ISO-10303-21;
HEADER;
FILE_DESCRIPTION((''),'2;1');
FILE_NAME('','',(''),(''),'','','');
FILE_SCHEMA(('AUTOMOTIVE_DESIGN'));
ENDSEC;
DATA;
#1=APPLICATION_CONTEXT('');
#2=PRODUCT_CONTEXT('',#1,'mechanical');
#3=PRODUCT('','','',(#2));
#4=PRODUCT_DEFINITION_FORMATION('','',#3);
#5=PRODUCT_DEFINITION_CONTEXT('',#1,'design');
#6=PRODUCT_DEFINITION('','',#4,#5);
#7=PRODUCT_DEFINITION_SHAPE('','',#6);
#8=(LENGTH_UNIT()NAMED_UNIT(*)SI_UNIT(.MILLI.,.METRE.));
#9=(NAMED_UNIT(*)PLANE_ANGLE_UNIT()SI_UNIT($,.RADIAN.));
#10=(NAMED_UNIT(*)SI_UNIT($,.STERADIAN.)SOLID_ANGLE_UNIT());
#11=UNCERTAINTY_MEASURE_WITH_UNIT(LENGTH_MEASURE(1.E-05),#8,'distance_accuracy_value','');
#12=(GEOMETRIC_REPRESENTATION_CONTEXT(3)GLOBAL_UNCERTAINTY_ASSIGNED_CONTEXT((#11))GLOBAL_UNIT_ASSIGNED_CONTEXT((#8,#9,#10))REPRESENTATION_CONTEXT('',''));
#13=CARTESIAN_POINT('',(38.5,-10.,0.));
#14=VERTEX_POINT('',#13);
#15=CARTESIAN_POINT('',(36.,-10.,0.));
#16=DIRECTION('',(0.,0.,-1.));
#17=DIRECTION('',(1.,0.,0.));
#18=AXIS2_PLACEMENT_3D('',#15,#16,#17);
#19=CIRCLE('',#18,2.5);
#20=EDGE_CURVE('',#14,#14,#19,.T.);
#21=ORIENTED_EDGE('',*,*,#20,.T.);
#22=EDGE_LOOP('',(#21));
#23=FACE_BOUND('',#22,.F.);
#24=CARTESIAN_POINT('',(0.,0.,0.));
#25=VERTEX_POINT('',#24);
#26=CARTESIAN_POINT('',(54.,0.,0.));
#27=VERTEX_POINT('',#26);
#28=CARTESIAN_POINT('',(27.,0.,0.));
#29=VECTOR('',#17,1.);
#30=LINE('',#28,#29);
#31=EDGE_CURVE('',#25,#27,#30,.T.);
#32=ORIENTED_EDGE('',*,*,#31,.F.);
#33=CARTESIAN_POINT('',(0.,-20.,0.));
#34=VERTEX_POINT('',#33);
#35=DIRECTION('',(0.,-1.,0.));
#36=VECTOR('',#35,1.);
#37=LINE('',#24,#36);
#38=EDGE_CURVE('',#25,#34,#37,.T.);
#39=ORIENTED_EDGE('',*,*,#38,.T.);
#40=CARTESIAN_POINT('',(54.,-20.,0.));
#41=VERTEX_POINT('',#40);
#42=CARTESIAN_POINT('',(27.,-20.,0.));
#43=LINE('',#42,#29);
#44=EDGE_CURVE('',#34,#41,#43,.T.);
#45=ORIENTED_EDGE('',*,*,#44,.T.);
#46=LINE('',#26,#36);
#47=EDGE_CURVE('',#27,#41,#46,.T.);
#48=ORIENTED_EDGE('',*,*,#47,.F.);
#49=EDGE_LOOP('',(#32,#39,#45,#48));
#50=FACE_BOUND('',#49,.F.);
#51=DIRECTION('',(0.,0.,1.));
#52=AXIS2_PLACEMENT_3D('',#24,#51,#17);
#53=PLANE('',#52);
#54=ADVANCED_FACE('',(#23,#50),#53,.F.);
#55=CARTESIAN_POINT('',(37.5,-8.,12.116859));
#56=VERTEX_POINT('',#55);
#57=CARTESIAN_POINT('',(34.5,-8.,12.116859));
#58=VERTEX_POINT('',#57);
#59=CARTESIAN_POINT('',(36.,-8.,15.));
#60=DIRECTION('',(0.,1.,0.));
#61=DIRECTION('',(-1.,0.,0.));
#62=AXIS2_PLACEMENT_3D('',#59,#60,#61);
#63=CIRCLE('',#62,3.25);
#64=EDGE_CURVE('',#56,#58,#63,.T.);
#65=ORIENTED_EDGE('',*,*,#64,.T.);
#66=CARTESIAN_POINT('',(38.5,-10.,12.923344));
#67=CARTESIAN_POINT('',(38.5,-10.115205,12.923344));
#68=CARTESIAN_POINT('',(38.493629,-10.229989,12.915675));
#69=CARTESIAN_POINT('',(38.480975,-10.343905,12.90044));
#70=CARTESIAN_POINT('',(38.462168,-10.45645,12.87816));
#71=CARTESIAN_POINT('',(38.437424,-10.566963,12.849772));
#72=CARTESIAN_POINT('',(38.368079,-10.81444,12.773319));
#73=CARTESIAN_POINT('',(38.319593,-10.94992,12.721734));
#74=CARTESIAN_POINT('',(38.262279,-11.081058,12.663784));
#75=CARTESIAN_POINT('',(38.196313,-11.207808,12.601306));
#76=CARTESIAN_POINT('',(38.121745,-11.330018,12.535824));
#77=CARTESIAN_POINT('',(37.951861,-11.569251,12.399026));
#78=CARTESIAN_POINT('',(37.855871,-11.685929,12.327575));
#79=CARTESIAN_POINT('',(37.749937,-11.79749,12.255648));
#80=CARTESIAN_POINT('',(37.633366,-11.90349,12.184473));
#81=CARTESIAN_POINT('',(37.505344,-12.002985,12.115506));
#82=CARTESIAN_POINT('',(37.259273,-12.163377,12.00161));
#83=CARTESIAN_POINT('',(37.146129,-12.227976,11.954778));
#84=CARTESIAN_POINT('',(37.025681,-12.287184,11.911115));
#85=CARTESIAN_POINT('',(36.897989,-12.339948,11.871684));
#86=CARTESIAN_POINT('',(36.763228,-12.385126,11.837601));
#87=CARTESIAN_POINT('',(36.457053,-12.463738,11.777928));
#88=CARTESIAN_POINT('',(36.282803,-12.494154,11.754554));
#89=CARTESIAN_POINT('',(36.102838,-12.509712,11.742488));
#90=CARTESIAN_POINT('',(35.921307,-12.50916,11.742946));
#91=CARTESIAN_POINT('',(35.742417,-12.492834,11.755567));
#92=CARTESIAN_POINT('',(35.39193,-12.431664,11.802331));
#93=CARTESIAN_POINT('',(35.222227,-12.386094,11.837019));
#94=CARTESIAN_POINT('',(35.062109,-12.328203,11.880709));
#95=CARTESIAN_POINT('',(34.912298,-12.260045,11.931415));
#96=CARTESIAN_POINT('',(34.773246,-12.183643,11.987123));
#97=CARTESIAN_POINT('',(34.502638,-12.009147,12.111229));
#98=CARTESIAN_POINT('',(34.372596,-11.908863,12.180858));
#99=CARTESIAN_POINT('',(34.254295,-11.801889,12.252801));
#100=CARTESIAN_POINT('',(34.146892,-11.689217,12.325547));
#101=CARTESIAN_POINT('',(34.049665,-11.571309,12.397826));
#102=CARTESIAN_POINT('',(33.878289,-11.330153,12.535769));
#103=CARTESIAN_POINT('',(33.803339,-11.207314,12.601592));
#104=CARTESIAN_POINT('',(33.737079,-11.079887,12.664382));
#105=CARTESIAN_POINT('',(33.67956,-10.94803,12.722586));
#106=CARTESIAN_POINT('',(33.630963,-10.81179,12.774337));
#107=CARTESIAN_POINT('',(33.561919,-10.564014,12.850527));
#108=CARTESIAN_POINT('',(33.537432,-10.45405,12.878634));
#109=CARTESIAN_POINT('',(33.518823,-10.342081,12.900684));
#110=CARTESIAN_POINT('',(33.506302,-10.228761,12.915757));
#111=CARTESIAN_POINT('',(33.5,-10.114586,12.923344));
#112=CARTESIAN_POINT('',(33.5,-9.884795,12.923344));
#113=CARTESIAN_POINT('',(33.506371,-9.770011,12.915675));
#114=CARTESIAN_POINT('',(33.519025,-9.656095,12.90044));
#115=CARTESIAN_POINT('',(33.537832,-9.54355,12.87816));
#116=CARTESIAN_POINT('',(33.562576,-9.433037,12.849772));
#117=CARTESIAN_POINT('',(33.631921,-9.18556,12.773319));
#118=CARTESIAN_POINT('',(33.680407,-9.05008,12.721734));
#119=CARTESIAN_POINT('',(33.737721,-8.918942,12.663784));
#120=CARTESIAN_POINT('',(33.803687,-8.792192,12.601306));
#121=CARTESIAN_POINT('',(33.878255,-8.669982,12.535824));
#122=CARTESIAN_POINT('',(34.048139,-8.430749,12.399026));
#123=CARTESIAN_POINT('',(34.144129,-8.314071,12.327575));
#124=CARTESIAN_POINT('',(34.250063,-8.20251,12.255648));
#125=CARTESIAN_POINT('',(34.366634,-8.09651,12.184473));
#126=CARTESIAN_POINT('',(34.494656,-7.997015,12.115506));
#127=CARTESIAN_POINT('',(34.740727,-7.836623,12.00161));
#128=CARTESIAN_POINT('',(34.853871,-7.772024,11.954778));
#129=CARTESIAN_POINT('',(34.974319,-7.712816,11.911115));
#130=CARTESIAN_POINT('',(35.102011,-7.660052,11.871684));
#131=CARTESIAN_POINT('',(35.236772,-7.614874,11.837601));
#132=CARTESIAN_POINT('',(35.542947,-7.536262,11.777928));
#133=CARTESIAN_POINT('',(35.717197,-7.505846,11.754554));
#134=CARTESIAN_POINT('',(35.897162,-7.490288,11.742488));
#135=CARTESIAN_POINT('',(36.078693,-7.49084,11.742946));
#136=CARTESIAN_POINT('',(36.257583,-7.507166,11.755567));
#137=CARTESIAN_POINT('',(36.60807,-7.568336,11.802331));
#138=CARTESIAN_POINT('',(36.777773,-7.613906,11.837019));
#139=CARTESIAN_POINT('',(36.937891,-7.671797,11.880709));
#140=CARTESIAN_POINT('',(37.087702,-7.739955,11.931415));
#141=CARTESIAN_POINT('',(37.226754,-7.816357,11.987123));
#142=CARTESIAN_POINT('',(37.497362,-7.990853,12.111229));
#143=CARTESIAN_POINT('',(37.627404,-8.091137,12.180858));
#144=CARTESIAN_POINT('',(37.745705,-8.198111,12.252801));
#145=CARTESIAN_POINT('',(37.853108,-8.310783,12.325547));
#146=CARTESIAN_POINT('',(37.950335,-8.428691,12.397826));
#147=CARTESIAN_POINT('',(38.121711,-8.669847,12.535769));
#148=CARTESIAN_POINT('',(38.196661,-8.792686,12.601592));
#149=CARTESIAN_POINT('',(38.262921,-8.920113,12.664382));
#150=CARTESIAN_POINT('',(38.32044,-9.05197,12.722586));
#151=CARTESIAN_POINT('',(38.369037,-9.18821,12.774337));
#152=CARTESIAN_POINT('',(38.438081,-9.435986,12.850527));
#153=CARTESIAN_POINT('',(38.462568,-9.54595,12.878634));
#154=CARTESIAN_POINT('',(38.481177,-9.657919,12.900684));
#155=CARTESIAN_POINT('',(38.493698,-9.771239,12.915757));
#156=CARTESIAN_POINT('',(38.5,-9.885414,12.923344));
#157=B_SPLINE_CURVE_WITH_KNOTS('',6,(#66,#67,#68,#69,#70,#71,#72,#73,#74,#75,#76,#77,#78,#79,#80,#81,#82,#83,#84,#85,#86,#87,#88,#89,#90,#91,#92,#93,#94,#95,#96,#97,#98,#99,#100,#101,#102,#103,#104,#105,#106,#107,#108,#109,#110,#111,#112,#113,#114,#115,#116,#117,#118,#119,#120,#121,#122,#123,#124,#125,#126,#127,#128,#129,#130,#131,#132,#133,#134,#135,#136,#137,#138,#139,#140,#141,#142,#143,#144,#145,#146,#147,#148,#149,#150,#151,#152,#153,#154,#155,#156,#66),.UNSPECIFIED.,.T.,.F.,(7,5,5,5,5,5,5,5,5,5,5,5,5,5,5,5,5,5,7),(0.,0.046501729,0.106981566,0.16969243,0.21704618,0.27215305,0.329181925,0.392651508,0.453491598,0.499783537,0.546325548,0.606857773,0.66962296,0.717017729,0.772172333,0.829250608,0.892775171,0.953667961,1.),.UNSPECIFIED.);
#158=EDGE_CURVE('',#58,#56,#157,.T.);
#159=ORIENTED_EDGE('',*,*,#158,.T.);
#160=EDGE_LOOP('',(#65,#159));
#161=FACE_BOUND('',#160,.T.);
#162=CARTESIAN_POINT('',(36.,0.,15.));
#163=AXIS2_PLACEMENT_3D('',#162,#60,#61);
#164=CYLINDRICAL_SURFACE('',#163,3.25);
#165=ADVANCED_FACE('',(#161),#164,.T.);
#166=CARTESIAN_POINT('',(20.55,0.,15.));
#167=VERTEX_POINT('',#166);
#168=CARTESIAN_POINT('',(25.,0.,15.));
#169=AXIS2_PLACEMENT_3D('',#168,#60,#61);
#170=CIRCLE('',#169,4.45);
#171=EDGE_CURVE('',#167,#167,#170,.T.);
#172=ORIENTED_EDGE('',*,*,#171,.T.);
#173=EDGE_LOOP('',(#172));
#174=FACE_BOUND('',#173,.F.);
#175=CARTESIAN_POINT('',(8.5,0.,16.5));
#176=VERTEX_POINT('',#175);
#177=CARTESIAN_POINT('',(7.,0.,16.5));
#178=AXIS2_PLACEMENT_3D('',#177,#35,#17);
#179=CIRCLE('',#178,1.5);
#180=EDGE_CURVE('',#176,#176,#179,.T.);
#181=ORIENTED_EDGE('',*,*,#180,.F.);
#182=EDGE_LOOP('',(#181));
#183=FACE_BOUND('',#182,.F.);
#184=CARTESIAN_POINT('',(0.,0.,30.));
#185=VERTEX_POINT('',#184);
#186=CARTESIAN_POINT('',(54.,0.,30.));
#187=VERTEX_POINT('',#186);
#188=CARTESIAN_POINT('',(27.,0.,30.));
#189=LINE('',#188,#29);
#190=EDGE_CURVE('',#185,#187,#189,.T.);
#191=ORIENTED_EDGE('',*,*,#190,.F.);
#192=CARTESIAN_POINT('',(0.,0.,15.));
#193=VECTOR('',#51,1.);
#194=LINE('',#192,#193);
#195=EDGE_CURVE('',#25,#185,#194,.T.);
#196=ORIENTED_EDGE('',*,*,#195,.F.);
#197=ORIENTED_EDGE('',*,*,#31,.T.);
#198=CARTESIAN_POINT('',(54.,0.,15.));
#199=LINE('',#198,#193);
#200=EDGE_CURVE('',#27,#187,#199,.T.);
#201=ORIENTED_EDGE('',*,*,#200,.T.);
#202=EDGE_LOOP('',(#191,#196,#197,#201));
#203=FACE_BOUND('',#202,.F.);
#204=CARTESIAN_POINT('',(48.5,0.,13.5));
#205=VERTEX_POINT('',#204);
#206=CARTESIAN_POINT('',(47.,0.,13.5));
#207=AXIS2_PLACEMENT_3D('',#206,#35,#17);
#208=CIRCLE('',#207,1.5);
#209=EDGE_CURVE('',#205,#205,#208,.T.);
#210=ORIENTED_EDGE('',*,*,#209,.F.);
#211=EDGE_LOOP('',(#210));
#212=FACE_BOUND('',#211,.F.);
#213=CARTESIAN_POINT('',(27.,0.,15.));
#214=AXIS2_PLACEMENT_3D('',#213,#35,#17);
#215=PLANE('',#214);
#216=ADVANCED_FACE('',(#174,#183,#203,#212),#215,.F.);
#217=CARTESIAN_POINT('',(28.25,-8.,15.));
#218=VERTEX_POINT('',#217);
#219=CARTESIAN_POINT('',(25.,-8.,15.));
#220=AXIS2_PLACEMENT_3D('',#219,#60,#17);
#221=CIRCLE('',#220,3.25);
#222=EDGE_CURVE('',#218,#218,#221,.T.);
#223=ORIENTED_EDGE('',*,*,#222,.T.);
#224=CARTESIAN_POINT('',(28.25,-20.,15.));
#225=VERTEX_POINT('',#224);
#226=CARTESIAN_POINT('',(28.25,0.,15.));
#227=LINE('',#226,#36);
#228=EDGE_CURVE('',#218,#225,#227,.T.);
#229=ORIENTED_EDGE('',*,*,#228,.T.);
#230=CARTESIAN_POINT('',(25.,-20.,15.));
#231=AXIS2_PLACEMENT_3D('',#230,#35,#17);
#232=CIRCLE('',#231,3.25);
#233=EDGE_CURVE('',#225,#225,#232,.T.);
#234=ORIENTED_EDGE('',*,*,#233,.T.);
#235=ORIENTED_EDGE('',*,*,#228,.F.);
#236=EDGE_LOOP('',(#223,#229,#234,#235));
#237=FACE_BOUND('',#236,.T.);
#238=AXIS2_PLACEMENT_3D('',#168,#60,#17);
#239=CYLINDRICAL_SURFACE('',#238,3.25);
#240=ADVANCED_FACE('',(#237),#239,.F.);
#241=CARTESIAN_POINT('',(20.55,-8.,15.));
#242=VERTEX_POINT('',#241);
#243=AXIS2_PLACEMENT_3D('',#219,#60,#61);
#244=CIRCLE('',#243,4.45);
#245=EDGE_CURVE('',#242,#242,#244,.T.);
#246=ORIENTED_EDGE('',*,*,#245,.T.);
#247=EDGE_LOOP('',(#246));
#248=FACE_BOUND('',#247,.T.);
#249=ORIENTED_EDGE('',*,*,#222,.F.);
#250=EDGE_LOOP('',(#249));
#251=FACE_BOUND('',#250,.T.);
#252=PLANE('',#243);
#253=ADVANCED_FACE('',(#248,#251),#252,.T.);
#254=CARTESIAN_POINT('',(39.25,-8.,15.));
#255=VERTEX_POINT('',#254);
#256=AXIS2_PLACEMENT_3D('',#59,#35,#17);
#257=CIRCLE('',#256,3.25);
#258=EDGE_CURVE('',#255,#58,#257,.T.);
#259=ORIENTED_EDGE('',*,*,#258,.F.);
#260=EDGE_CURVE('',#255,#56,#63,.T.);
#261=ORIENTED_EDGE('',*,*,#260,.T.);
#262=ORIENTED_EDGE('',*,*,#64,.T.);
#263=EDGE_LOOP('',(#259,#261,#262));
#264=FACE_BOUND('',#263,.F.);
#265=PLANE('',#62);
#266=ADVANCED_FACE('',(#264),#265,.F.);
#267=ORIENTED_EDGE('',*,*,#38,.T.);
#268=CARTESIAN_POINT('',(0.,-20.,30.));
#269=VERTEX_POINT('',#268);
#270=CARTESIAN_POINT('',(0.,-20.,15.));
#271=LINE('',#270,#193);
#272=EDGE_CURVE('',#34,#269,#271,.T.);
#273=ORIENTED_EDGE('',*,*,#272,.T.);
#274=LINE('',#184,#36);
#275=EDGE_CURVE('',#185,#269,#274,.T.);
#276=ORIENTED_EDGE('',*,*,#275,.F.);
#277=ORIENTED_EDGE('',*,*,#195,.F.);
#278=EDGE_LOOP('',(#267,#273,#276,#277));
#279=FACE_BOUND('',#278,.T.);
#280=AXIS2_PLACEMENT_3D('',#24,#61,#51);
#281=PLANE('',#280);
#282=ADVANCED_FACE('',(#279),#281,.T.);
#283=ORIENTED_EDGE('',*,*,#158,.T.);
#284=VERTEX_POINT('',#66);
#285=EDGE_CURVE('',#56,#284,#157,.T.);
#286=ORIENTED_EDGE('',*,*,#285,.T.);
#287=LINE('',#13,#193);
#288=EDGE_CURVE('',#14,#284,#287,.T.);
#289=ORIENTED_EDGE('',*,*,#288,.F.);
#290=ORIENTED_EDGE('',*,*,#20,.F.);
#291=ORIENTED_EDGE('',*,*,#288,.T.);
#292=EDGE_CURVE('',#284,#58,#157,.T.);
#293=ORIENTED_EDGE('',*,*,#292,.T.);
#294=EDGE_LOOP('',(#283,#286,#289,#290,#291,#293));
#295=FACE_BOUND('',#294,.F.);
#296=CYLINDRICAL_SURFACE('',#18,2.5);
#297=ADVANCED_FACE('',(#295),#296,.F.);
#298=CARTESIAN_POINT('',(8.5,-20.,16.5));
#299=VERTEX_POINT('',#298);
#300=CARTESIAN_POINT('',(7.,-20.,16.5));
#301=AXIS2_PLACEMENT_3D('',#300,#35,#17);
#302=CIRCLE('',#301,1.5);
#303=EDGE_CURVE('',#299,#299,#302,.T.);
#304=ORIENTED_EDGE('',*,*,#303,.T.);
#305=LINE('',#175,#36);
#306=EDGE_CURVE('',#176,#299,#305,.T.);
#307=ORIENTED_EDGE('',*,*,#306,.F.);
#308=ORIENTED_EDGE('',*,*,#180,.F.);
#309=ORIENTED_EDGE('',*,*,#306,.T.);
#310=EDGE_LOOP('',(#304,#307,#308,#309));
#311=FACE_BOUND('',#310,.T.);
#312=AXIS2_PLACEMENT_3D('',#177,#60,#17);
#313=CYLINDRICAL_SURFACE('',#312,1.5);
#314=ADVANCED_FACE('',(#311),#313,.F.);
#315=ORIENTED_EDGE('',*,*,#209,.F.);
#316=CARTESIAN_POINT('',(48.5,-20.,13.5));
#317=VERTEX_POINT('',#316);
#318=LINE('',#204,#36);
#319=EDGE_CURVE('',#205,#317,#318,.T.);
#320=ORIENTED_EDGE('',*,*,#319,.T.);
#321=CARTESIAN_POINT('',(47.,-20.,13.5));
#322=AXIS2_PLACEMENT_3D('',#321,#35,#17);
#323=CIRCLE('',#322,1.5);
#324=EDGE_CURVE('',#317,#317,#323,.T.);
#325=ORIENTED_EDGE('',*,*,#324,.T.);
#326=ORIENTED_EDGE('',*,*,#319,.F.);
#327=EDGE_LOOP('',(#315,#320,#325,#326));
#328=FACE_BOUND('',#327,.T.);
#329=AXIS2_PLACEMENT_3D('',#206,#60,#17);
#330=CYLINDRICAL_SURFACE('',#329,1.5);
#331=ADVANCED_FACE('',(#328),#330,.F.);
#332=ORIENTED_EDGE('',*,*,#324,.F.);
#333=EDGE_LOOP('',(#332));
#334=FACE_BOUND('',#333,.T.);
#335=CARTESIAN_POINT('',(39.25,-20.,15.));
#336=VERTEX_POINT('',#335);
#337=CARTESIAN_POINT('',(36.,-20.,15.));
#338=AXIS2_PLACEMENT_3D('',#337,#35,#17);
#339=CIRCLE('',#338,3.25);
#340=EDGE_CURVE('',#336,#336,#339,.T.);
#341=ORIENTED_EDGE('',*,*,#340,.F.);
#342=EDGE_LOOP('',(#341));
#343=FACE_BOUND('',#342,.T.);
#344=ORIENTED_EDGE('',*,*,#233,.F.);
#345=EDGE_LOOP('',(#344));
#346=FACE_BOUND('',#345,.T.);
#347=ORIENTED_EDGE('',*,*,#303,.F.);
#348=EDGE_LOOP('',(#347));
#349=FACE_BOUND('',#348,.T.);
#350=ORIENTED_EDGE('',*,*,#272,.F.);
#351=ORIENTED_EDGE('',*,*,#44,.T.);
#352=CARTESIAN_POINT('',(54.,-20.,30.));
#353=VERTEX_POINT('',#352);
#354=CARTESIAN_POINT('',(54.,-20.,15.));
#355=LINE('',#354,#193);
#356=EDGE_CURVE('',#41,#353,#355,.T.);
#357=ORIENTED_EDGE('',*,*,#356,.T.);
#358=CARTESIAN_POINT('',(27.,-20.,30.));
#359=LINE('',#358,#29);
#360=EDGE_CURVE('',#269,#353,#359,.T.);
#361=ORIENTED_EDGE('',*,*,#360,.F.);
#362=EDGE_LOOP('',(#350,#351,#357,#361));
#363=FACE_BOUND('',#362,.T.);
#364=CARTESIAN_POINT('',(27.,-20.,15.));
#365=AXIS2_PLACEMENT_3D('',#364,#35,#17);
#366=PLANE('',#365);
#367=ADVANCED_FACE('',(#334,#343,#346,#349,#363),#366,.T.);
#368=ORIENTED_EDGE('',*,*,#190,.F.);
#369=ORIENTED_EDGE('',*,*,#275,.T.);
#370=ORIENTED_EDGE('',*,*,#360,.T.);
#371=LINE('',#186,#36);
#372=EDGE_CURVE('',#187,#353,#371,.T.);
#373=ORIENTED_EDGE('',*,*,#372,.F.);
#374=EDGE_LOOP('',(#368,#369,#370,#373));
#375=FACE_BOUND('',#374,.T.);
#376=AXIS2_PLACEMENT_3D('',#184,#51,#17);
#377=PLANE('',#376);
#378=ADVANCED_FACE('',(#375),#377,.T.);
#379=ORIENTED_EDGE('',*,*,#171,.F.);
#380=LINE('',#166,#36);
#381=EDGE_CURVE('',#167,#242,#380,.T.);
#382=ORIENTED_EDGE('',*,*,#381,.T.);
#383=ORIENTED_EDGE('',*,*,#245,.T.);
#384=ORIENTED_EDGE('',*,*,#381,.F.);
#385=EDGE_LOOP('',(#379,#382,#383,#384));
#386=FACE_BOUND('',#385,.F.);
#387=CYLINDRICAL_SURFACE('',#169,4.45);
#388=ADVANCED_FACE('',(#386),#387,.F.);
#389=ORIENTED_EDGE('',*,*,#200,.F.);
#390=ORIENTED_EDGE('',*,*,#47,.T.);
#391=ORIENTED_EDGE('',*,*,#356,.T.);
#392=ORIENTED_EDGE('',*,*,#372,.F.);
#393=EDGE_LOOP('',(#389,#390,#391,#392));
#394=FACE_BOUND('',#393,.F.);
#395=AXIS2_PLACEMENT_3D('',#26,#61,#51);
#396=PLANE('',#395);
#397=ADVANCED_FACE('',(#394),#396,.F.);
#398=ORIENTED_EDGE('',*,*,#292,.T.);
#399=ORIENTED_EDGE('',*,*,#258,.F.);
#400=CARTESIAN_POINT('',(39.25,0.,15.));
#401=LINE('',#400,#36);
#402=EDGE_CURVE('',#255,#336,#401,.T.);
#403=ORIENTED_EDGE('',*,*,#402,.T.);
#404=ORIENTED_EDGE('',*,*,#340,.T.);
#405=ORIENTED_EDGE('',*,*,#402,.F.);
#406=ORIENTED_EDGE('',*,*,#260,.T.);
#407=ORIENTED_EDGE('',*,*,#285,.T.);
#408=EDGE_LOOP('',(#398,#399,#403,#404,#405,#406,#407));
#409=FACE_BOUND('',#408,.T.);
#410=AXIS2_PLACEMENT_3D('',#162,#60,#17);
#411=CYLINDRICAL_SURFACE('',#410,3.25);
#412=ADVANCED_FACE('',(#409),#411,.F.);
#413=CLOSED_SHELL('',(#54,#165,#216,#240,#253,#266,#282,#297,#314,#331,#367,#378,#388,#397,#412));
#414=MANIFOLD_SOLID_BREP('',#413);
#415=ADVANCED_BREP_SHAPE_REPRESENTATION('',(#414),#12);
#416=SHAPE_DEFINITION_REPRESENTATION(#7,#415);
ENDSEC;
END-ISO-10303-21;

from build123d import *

# Parameters (mm, degrees)
F0_W     = 54
F0_H     = 30
F0_R     = 1.5
F0_R_2   = 3.25
F1_DEPTH = 20
F3_R     = 2.5
F4_DEPTH = 16
F6_R     = 4.45
F7_DEPTH = 8
F5_R     = 3.25
F8_DEPTH = 8


with BuildPart() as f1:
    # F0 (on Front) → F1 (new body)
    with BuildSketch(Plane.XZ):
        with Locations((27, 15)):
            Rectangle(F0_W, F0_H)
        with Locations((47, 13.5)):
            Circle(F0_R, mode=Mode.SUBTRACT)
        with Locations((7, 16.5)):
            Circle(F0_R, mode=Mode.SUBTRACT)
        with Locations((25, 15)):
            Circle(F0_R_2, mode=Mode.SUBTRACT)
        with Locations((36, 15)):
            Circle(F0_R_2, mode=Mode.SUBTRACT)
    extrude(amount=F1_DEPTH)

    # F3 (on face) → F4 (cut)
    with BuildSketch(Plane(origin=(0, 0, 0), x_dir=(1, 0, 0), z_dir=(0, 0, -1))):
        with Locations((36, 10)):
            Circle(F3_R)
    extrude(amount=-F4_DEPTH, mode=Mode.SUBTRACT)

    # F6 (on face) → F7 (cut)
    with BuildSketch(Plane(origin=(0, 0, 0), x_dir=(-1, 0, 0), z_dir=(0, 1, 0))):
        with Locations((-25, 15)):
            Circle(F6_R)
    extrude(amount=-F7_DEPTH, mode=Mode.SUBTRACT)

    # F5 (on face) → F8 (join)
    with BuildSketch(Plane(origin=(0, 0, 0), x_dir=(-1, 0, 0), z_dir=(0, 1, 0))):
        with Locations((-36, 15)):
            Circle(F5_R)
    extrude(amount=-F8_DEPTH)


solid = f1.part
